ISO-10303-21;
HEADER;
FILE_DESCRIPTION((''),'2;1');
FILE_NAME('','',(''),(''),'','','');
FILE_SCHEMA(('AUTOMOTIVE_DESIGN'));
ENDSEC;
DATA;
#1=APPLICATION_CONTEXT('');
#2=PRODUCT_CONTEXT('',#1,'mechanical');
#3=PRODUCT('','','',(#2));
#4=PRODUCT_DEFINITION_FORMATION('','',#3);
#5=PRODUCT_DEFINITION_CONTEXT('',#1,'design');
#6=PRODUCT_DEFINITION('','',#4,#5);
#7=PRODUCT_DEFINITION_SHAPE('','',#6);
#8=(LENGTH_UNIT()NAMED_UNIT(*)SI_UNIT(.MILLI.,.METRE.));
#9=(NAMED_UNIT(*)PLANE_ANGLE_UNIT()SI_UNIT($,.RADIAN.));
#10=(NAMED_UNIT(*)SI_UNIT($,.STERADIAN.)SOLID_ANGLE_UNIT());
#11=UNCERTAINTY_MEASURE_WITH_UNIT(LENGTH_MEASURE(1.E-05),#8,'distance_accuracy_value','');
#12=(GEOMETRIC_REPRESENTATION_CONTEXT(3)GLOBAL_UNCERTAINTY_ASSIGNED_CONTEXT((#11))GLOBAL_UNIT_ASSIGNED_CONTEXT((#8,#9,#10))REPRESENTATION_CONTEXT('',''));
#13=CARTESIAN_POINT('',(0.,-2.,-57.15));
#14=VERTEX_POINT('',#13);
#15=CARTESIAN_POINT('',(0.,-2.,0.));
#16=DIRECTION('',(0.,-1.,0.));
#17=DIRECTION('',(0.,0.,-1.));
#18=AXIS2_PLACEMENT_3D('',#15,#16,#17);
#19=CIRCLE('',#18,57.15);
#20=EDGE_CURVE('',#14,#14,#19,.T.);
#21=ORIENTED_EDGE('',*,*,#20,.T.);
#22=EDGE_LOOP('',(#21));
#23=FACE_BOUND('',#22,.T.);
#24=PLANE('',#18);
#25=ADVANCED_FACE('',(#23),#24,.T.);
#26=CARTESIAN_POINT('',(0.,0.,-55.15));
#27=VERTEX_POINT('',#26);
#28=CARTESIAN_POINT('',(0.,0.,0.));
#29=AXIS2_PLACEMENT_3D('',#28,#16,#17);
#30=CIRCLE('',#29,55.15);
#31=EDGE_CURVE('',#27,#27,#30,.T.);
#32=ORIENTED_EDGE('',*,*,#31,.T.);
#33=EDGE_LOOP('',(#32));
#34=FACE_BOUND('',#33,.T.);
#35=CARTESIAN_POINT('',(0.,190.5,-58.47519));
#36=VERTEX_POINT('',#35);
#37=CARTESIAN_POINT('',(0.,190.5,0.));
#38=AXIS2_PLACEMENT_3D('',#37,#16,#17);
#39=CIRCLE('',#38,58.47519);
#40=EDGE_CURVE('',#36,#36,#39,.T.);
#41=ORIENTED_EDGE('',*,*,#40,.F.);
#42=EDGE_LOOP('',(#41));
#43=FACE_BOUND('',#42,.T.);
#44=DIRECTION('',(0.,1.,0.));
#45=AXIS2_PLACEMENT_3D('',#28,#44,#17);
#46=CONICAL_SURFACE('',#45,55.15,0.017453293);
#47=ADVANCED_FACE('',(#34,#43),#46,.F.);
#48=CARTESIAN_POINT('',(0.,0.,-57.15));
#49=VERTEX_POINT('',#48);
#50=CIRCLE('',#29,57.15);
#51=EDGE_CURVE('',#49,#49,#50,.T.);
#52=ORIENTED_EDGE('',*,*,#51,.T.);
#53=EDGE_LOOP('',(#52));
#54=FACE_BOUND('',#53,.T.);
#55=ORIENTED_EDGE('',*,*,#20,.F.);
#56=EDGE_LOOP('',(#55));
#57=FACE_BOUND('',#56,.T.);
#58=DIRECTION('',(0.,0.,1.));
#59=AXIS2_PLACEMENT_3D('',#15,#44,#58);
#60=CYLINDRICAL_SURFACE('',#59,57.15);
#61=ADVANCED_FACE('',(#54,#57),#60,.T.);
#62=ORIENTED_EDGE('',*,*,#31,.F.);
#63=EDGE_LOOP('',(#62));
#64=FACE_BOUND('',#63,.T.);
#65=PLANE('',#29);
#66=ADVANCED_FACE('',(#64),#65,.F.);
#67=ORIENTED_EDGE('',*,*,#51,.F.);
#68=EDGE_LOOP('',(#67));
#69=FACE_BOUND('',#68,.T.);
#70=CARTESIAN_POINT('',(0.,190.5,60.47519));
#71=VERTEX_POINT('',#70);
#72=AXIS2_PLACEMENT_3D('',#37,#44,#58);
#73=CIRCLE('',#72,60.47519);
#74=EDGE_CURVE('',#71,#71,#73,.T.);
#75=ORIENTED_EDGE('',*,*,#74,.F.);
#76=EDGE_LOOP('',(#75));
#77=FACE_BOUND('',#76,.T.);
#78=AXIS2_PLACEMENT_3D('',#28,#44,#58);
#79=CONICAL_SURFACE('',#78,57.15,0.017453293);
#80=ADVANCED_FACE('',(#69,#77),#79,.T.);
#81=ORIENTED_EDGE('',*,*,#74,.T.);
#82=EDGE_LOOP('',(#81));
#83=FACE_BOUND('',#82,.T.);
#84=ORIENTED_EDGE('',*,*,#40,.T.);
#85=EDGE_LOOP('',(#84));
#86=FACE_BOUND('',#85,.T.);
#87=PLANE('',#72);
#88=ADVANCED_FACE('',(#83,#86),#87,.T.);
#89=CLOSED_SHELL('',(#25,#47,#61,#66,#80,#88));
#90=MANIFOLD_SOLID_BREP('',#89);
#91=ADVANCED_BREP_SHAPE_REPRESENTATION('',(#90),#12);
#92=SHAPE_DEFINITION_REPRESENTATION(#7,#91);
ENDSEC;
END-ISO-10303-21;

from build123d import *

# Parameters (mm, degrees)
SKETCH1_R           = 57.15
BOSS_EXTRUDE1_DEPTH = 190.5
BOSS_EXTRUDE1_TAPER = -1
SKETCH3_R           = 55.15
CUT_EXTRUDE1_DEPTH  = 190.5
CUT_EXTRUDE1_TAPER  = -1
SKETCH4_R           = 57.15
BOSS_EXTRUDE2_DEPTH = 2


with BuildPart() as part:
    # Sketch1 → Boss-Extrude1 (new body)
    with BuildSketch(Plane(origin=(0, 0, 0), x_dir=(1, 0, 0), z_dir=(0, 1, 0))):
        Circle(SKETCH1_R)
    extrude(amount=BOSS_EXTRUDE1_DEPTH, taper=BOSS_EXTRUDE1_TAPER)

    # Sketch3 → Cut-Extrude1 (cut)
    with BuildSketch(Plane.XZ):
        Circle(SKETCH3_R)
    extrude(amount=-CUT_EXTRUDE1_DEPTH, taper=CUT_EXTRUDE1_TAPER, mode=Mode.SUBTRACT)

    # Sketch4 → Boss-Extrude2 (add)
    with BuildSketch(Plane.XZ):
        Circle(SKETCH4_R)
    extrude(amount=BOSS_EXTRUDE2_DEPTH)


solid = part.part
